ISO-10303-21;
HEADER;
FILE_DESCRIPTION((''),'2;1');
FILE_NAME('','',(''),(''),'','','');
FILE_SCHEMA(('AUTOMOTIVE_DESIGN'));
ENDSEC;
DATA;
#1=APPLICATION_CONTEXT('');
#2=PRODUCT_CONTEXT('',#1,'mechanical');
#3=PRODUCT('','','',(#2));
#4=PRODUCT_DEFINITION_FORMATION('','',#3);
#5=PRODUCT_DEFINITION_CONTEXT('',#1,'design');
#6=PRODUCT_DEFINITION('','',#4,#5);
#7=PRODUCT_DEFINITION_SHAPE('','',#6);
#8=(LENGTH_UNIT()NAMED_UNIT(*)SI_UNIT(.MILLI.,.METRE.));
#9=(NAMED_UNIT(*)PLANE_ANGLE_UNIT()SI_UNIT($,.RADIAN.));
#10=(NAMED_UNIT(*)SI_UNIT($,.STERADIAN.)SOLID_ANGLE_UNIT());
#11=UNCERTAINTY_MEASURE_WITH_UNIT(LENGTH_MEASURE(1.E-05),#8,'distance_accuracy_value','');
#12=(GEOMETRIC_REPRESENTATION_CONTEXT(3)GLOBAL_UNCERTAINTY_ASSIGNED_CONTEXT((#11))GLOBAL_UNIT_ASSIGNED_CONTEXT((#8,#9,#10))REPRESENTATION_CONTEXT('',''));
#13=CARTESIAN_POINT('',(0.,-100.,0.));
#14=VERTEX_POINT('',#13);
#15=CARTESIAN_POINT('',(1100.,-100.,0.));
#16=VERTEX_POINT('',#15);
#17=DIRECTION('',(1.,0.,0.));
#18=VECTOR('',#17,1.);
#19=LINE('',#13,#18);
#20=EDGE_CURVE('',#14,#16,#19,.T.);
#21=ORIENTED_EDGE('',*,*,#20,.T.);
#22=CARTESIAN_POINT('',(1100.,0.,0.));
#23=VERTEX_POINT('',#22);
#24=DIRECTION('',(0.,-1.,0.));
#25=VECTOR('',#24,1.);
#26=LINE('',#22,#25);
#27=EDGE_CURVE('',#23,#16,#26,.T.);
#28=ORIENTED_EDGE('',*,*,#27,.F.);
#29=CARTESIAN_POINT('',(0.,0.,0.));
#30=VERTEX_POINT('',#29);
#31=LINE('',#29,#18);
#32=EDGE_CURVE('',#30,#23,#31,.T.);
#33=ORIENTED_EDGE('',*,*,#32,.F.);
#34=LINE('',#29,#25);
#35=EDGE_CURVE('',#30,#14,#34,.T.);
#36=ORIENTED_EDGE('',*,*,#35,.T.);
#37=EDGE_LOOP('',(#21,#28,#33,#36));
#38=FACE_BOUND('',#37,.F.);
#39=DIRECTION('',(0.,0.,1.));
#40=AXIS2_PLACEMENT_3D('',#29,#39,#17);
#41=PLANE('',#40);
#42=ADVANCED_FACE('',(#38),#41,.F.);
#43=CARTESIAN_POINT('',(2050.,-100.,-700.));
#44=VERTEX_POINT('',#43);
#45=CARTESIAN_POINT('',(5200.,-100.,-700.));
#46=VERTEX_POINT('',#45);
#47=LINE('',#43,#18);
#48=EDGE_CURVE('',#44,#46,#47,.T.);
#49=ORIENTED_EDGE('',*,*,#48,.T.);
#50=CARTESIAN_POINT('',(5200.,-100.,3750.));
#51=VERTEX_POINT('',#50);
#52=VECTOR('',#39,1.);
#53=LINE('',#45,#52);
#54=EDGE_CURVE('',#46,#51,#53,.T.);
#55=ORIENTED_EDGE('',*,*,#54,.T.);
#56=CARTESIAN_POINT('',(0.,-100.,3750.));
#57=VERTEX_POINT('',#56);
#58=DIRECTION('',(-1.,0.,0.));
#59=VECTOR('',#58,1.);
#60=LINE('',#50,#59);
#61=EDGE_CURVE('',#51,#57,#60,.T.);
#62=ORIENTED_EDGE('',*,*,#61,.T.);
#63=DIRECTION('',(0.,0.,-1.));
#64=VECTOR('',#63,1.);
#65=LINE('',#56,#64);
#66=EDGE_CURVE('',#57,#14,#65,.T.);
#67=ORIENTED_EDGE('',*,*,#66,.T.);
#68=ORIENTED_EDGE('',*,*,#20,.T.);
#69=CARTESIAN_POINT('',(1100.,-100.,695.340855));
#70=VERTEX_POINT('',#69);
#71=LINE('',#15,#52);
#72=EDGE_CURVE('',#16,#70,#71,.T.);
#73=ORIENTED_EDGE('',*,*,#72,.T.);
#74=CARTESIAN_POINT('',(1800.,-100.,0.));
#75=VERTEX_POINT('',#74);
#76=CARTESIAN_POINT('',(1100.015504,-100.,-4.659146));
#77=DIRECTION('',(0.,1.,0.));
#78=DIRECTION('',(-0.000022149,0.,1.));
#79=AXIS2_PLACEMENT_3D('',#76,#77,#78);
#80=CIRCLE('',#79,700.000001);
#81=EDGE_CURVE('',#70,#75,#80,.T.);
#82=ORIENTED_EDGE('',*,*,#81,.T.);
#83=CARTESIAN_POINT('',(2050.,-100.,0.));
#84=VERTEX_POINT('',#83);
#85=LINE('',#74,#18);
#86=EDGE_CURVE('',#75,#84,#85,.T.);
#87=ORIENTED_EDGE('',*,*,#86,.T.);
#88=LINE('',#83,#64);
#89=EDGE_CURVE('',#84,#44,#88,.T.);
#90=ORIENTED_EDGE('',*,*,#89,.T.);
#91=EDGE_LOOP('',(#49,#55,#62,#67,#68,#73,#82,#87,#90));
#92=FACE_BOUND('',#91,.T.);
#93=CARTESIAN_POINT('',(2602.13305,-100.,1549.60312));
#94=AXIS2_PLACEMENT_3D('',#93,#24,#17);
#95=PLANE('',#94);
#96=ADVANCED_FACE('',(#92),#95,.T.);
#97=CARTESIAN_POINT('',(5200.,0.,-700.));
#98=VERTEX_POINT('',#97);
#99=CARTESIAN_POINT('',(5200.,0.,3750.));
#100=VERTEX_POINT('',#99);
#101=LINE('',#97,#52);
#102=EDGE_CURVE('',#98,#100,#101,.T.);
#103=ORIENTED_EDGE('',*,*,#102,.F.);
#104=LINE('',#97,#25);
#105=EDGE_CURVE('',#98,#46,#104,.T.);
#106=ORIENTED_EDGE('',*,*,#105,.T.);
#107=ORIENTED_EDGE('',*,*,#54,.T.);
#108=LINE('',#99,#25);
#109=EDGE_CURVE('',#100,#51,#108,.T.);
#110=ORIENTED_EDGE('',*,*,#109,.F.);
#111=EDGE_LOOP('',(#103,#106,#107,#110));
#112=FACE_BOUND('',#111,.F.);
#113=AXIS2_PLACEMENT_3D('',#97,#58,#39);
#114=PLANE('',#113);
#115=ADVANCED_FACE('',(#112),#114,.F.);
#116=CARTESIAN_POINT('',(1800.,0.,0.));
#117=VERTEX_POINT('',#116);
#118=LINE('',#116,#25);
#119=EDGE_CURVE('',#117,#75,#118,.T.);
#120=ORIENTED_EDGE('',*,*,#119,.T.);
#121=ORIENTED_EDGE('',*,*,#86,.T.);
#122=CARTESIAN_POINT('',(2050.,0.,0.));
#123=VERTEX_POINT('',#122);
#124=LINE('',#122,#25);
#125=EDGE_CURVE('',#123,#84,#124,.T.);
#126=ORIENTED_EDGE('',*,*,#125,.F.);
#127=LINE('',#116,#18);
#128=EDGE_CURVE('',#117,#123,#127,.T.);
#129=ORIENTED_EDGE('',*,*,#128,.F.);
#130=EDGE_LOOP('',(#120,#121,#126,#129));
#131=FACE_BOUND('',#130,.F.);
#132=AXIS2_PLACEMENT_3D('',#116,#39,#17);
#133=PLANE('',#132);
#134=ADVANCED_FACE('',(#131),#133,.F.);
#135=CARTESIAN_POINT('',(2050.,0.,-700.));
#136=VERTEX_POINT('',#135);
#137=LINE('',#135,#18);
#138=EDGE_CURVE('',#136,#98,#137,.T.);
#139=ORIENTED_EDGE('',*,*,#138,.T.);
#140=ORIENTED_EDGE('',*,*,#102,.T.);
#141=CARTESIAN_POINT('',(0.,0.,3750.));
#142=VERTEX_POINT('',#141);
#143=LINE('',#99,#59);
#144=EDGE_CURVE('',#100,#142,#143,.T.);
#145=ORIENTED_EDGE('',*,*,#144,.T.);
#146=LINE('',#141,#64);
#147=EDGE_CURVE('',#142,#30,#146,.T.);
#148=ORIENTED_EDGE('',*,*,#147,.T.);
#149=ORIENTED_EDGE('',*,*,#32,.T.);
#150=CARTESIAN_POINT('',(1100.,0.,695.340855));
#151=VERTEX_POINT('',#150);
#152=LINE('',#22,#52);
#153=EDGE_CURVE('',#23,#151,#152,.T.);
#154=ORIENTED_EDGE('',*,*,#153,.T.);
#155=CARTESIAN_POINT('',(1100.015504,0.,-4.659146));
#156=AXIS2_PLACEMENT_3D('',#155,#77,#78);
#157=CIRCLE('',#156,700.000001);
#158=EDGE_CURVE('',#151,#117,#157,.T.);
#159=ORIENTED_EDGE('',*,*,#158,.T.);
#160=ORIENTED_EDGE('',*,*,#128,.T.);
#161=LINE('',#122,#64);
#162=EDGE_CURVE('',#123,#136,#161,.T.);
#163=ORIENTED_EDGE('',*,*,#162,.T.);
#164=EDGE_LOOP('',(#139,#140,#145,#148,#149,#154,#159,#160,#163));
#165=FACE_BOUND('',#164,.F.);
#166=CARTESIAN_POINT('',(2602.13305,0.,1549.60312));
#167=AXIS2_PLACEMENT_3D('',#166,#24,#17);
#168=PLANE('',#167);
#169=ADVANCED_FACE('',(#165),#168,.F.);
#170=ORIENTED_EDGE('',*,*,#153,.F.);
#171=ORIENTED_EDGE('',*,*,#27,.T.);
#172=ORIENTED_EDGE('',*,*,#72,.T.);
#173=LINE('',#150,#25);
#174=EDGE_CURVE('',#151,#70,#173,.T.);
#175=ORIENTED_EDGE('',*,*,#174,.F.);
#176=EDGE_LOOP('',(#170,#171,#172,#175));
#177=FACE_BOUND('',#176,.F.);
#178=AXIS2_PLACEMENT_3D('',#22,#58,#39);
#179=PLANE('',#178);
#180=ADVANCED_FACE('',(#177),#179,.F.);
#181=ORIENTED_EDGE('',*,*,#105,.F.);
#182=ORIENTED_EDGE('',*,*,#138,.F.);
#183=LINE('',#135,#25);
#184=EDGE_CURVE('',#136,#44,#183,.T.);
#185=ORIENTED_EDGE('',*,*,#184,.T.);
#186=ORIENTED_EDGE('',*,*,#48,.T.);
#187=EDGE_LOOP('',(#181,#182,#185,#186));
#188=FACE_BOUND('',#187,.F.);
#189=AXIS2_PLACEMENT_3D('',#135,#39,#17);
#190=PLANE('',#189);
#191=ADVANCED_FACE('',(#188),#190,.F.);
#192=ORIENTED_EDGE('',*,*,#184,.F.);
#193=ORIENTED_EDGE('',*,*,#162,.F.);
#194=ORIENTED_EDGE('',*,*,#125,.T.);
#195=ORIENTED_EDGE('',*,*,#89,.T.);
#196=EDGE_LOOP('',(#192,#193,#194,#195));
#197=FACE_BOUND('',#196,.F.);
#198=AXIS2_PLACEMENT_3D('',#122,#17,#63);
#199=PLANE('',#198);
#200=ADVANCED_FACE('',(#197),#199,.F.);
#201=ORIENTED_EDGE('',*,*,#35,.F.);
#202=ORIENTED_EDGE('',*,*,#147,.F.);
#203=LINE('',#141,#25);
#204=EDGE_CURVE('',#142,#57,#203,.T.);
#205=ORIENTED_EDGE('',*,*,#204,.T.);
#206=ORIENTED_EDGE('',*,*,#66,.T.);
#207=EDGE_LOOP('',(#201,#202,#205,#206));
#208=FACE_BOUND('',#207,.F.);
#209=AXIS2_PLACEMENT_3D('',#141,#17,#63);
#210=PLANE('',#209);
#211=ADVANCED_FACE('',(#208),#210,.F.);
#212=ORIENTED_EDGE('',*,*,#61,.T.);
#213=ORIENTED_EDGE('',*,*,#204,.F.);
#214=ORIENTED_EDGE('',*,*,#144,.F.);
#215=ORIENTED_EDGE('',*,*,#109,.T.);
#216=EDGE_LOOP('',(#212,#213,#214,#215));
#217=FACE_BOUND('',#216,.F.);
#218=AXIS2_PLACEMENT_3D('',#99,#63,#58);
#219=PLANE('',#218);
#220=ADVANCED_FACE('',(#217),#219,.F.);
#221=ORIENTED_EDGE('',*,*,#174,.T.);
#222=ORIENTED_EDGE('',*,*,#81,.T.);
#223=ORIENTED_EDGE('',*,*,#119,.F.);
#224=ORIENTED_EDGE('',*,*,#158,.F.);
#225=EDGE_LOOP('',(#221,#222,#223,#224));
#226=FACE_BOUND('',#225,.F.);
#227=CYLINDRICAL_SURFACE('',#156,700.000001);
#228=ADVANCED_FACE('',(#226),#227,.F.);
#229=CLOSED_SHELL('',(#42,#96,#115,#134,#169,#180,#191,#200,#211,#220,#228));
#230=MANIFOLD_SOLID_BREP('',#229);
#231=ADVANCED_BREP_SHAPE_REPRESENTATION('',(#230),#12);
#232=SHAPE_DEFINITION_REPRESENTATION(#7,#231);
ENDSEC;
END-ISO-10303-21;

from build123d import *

# Parameters (mm, degrees)
F1_DEPTH = 100


with BuildPart() as f1:
    # F0 (on Front) → F1 (new body)
    with BuildSketch(Plane.XZ):
        with BuildLine():
            Line((0, 3750), (0, 0))
            Line((0, 0), (1100, 0))
            Line((1100, 0), (1100, 695.340855))
            ThreePointArc((1100, 695.340855), (1593.334745, 491.96559), (1800, 0))
            Line((1800, 0), (2050, 0))
            Line((2050, 0), (2050, -700))
            Line((2050, -700), (5200, -700))
            Line((5200, -700), (5200, 3750))
            Line((5200, 3750), (0, 3750))
        make_face()
    extrude(amount=F1_DEPTH)


solid = f1.part
